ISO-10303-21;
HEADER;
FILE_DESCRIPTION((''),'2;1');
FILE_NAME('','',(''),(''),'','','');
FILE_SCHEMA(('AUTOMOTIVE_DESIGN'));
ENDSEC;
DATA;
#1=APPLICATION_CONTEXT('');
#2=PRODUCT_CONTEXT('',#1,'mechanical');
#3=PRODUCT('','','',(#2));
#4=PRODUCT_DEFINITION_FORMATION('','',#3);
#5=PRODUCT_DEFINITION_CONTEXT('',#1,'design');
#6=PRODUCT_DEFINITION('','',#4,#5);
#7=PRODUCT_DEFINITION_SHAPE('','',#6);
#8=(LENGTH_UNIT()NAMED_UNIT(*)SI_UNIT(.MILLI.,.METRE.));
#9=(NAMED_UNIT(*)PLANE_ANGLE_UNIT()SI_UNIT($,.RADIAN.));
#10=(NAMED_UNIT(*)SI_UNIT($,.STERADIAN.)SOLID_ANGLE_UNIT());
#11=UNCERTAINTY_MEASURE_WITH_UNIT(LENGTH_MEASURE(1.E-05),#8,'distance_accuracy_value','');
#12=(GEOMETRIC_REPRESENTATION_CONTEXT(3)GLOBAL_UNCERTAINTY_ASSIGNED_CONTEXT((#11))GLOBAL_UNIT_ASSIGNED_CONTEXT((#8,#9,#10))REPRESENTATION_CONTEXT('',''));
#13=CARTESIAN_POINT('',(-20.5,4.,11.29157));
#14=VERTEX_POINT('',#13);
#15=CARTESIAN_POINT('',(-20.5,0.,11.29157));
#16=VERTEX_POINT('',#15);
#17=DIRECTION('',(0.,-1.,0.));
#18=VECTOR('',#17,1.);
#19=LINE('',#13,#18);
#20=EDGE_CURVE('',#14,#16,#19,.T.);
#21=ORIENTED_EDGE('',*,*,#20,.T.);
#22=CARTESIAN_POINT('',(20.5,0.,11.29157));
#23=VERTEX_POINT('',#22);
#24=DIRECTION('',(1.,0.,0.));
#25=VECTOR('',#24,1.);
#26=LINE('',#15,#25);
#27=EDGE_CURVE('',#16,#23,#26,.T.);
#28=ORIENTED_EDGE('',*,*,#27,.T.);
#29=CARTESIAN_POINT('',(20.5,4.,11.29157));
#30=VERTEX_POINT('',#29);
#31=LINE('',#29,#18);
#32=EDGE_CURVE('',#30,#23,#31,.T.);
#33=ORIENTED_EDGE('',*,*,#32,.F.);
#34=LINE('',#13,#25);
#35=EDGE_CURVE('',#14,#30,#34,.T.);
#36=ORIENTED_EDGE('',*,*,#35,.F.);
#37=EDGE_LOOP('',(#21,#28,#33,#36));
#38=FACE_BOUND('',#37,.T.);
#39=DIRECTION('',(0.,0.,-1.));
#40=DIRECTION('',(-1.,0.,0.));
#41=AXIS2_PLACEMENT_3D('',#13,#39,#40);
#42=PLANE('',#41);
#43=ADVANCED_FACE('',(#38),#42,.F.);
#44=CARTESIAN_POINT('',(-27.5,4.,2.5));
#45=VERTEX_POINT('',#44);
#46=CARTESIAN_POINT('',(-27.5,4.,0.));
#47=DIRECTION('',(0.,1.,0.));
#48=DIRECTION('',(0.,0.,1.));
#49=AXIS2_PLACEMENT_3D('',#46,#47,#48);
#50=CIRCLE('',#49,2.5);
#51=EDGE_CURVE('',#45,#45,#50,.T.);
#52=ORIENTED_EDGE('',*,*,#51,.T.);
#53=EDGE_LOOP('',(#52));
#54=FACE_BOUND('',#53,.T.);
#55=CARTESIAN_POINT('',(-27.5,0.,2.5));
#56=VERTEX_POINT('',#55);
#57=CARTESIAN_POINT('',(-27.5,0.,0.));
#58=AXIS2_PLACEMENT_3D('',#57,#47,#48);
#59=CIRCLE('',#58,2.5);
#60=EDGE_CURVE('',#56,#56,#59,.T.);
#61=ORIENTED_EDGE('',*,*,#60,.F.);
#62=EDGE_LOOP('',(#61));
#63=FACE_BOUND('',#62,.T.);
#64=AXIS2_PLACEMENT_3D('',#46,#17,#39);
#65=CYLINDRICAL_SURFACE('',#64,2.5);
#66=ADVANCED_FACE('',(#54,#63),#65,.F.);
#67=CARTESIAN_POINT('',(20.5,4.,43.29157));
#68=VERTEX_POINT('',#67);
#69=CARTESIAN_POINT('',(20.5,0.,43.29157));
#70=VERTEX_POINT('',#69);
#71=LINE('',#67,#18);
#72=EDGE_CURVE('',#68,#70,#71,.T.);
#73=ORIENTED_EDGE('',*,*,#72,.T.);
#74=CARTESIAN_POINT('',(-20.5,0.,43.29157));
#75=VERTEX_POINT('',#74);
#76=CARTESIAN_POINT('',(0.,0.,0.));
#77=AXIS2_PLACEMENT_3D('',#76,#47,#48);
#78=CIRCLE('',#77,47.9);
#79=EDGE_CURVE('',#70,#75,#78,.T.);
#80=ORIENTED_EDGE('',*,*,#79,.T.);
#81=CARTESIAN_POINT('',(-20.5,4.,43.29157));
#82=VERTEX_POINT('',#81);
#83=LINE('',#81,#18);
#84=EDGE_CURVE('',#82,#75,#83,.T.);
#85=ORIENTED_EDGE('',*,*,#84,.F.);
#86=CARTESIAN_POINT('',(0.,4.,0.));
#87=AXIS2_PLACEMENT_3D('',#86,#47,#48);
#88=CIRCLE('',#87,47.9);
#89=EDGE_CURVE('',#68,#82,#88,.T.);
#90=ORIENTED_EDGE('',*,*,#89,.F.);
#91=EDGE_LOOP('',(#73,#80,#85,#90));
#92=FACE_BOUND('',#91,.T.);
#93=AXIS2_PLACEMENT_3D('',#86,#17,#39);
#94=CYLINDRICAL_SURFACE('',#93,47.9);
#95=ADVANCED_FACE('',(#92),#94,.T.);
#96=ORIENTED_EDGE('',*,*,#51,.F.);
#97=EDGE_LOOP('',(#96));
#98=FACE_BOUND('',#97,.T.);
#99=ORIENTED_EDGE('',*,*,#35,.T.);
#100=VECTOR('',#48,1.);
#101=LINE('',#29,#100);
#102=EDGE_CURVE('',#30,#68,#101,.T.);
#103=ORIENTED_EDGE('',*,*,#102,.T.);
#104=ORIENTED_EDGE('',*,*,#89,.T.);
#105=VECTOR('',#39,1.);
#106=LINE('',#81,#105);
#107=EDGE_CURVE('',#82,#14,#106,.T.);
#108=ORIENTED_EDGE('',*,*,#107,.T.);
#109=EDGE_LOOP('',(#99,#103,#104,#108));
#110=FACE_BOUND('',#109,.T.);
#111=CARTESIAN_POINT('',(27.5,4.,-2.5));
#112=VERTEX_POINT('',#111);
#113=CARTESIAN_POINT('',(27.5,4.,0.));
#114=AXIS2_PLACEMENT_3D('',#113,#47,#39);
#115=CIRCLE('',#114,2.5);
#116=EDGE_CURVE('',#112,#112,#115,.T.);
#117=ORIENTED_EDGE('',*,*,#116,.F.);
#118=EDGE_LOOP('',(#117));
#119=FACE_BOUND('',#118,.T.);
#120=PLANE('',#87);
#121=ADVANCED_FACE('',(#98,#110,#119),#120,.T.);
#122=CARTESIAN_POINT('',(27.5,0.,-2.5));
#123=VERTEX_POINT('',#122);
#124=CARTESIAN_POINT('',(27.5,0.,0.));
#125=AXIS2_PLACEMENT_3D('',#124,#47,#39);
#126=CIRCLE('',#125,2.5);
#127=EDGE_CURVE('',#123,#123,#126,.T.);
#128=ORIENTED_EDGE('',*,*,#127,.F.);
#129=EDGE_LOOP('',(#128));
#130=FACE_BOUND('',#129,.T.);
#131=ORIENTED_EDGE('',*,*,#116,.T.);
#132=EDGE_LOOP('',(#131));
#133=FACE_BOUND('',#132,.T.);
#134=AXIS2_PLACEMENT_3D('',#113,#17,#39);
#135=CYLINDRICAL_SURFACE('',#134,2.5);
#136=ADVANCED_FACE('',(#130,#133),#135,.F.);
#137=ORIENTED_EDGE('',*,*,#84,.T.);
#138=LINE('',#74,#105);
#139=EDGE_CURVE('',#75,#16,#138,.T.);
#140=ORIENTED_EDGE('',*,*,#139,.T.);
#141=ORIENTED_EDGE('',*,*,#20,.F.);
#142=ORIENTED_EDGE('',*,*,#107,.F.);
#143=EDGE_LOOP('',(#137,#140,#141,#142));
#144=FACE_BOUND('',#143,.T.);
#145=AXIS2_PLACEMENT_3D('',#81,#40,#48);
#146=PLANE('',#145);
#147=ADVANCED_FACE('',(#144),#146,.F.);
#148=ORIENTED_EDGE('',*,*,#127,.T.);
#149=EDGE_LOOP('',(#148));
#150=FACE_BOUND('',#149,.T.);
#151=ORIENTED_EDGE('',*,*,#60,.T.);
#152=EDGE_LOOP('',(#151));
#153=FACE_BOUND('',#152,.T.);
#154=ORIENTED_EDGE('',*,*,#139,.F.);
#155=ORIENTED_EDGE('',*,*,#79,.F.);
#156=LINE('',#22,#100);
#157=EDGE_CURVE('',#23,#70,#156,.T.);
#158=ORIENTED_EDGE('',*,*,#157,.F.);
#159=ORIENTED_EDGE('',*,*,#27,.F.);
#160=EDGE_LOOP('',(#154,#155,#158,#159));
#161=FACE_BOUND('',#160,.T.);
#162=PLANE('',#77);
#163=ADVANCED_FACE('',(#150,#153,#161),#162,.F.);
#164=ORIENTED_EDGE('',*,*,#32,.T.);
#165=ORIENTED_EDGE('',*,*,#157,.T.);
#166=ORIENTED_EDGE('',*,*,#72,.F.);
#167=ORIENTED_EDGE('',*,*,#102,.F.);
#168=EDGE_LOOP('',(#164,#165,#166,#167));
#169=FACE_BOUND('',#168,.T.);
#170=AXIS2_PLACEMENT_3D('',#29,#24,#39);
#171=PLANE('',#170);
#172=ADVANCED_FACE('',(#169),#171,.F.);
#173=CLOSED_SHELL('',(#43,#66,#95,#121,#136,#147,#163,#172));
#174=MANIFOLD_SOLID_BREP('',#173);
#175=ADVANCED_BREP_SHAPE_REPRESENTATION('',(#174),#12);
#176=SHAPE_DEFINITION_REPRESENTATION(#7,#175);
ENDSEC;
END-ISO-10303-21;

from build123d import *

# Parameters (mm, degrees)
SKETCH1_R           = 2.5
BOSS_EXTRUDE2_DEPTH = 4


with BuildPart() as part:
    # Sketch1 → Boss-Extrude2 (new body)
    with BuildSketch(Plane(origin=(0, 0, 0), x_dir=(1, 0, 0), z_dir=(0, 1, 0))):
        with BuildLine():
            Line((-20.5, -43.291569618), (-20.5, -11.291569618))
            Line((-20.5, -11.291569618), (20.5, -11.291569618))
            Line((20.5, -11.291569618), (20.5, -43.291569618))
            ThreePointArc((20.5, -43.291569618), (0, 47.9), (-20.5, -43.291569618))
        make_face()
        with Locations(Location((-27.5, 0, 0), (0, 0, 270))):
            Circle(SKETCH1_R, mode=Mode.SUBTRACT)
        with Locations(Location((27.5, 0, 0), (0, 0, 90))):
            Circle(SKETCH1_R, mode=Mode.SUBTRACT)
    extrude(amount=BOSS_EXTRUDE2_DEPTH)


solid = part.part
